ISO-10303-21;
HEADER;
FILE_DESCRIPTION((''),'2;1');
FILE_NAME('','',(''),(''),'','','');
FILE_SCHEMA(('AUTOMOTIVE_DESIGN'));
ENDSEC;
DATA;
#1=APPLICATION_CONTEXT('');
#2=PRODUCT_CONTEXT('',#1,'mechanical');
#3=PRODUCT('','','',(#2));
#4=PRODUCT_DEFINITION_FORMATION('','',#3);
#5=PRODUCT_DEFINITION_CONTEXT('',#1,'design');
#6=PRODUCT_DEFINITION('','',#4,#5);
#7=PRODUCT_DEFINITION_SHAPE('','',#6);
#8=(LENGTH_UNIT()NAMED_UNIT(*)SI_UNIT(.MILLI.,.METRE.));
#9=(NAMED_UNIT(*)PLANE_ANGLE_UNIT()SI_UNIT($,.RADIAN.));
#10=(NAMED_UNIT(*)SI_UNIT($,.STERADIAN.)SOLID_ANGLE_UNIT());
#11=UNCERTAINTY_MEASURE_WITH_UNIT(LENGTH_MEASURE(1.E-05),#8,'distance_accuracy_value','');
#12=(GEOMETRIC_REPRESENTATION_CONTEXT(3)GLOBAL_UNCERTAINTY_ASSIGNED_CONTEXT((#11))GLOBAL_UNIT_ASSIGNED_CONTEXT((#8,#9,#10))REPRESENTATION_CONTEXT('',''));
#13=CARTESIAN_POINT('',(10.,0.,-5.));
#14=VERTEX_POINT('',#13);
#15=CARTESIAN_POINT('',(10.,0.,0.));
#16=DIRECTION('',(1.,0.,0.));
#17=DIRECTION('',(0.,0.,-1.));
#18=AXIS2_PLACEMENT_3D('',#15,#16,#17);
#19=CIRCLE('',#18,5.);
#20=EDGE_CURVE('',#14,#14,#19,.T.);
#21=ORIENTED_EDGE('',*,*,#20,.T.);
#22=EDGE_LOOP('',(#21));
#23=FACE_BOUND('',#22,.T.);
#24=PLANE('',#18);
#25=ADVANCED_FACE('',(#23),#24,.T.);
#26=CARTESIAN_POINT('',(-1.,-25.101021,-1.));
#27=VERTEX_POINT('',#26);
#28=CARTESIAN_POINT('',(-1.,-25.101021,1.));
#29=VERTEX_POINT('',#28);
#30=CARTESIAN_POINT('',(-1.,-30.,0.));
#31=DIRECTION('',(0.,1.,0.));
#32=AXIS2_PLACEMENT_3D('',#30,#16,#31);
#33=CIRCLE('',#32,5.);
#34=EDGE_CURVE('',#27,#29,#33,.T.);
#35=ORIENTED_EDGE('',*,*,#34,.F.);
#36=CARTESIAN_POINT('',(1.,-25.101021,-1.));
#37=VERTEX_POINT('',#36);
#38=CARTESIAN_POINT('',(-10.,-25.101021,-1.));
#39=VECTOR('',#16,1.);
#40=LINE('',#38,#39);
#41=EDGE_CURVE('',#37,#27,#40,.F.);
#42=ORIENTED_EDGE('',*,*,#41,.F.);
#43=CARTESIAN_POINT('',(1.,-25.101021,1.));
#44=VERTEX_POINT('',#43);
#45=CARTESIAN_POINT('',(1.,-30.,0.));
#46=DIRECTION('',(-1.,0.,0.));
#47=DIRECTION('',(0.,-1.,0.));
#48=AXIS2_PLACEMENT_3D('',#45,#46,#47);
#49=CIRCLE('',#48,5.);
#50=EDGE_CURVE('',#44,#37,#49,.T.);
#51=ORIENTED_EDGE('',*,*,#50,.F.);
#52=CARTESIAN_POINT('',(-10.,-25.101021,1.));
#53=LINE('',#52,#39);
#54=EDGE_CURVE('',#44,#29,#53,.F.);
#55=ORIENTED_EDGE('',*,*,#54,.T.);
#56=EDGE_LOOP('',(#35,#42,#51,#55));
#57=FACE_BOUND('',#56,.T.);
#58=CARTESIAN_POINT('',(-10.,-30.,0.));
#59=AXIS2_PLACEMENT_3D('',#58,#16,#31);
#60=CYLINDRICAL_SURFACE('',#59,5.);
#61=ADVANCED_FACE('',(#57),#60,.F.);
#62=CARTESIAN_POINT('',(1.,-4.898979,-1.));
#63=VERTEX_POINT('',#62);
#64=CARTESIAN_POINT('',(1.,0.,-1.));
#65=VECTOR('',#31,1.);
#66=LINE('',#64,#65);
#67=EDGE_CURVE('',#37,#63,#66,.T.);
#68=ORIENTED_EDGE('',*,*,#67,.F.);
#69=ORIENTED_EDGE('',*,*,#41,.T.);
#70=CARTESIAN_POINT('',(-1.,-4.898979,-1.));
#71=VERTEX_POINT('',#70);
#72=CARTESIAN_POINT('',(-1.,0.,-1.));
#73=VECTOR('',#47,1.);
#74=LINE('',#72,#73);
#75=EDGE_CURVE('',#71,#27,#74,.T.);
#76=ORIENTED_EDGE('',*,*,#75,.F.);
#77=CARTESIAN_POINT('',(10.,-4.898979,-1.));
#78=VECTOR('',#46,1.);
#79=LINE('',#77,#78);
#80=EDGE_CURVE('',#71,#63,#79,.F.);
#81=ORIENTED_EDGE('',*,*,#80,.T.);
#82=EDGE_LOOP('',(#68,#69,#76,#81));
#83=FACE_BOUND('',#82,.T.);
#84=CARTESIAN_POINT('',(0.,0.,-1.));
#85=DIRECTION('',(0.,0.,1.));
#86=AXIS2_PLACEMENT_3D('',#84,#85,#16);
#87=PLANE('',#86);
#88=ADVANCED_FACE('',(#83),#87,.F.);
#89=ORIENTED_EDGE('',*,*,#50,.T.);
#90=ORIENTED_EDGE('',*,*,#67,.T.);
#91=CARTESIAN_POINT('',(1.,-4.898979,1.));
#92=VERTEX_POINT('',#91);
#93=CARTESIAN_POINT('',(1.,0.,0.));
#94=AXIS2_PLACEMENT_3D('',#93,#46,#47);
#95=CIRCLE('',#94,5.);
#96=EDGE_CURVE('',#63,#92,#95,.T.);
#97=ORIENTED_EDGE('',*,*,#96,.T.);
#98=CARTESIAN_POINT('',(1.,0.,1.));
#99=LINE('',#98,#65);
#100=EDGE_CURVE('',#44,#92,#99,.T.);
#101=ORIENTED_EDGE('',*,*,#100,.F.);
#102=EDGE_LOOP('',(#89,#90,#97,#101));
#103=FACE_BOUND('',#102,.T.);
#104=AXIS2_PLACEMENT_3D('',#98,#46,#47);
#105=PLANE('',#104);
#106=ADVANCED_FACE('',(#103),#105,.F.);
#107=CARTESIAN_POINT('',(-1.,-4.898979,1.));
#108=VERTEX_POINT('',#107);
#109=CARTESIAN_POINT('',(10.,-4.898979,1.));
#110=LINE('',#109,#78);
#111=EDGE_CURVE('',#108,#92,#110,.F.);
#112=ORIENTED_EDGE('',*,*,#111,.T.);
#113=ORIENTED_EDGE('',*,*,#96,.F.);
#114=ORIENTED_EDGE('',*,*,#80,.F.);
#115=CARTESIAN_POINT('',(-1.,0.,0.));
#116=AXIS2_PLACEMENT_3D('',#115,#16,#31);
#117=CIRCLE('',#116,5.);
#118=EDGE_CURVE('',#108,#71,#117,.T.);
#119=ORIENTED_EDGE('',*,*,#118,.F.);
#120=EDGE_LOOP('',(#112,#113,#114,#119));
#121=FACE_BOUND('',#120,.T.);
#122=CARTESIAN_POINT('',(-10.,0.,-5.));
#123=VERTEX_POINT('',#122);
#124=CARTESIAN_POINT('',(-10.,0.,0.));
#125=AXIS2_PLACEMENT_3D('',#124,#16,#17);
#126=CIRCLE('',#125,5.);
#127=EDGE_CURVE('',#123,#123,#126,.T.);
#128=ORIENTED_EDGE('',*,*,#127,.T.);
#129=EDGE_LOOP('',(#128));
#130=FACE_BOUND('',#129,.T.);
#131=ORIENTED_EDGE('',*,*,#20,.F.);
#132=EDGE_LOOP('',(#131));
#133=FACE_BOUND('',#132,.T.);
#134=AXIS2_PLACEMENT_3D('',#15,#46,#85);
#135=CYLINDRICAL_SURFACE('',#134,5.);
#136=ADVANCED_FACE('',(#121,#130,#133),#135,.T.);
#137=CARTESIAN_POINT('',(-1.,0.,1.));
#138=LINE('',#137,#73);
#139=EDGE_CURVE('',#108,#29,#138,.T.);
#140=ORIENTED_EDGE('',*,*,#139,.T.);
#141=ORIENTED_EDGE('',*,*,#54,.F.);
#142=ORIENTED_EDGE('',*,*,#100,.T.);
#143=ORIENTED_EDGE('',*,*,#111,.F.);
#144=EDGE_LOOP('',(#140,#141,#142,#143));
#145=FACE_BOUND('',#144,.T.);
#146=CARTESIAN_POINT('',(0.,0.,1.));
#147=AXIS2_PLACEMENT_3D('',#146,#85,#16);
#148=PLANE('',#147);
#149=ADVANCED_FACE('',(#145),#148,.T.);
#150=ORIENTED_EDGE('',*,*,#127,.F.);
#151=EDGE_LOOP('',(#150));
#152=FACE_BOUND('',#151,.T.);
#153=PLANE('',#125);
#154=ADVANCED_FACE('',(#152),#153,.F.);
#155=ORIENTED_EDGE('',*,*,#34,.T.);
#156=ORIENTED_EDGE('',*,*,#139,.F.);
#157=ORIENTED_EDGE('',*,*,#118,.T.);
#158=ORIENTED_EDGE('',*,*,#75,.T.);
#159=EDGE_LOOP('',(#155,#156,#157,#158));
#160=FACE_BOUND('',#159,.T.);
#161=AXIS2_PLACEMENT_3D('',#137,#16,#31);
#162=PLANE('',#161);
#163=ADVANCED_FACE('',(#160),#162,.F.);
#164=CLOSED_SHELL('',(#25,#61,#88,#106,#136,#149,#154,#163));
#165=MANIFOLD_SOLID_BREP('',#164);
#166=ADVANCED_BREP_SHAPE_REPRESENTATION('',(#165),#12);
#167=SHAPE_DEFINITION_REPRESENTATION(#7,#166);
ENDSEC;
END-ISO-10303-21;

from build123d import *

# Parameters (mm, degrees)
SKETCH1_R           = 5
BOSS_EXTRUDE1_DEPTH = 10
SKETCH2_W           = 2
SKETCH2_H           = 30
BOSS_EXTRUDE2_DEPTH = 1
SKETCH3_R           = 5
CUT_EXTRUDE1_DEPTH  = 33.341923258


with BuildPart() as part:
    # Sketch1 → Boss-Extrude1 (new, symmetric)
    with BuildSketch(Plane(origin=(0, 0, 0), x_dir=(0, 0, -1), z_dir=(1, 0, 0))):
        Circle(SKETCH1_R)
    extrude(amount=BOSS_EXTRUDE1_DEPTH, both=True)

    # Sketch2 → Boss-Extrude2 (add, symmetric)
    with BuildSketch(Plane.XY):
        with Locations((0, -15)):
            Rectangle(SKETCH2_W, SKETCH2_H)
    extrude(amount=BOSS_EXTRUDE2_DEPTH, both=True)

    # Sketch3 → Cut-Extrude1 (cut, through all)
    with BuildSketch(Plane(origin=(1, 0, 0), x_dir=(0, 0, -1), z_dir=(1, 0, 0))):
        with Locations((0, -30)):
            Circle(SKETCH3_R)
    extrude(amount=-CUT_EXTRUDE1_DEPTH, mode=Mode.SUBTRACT)


solid = part.part
